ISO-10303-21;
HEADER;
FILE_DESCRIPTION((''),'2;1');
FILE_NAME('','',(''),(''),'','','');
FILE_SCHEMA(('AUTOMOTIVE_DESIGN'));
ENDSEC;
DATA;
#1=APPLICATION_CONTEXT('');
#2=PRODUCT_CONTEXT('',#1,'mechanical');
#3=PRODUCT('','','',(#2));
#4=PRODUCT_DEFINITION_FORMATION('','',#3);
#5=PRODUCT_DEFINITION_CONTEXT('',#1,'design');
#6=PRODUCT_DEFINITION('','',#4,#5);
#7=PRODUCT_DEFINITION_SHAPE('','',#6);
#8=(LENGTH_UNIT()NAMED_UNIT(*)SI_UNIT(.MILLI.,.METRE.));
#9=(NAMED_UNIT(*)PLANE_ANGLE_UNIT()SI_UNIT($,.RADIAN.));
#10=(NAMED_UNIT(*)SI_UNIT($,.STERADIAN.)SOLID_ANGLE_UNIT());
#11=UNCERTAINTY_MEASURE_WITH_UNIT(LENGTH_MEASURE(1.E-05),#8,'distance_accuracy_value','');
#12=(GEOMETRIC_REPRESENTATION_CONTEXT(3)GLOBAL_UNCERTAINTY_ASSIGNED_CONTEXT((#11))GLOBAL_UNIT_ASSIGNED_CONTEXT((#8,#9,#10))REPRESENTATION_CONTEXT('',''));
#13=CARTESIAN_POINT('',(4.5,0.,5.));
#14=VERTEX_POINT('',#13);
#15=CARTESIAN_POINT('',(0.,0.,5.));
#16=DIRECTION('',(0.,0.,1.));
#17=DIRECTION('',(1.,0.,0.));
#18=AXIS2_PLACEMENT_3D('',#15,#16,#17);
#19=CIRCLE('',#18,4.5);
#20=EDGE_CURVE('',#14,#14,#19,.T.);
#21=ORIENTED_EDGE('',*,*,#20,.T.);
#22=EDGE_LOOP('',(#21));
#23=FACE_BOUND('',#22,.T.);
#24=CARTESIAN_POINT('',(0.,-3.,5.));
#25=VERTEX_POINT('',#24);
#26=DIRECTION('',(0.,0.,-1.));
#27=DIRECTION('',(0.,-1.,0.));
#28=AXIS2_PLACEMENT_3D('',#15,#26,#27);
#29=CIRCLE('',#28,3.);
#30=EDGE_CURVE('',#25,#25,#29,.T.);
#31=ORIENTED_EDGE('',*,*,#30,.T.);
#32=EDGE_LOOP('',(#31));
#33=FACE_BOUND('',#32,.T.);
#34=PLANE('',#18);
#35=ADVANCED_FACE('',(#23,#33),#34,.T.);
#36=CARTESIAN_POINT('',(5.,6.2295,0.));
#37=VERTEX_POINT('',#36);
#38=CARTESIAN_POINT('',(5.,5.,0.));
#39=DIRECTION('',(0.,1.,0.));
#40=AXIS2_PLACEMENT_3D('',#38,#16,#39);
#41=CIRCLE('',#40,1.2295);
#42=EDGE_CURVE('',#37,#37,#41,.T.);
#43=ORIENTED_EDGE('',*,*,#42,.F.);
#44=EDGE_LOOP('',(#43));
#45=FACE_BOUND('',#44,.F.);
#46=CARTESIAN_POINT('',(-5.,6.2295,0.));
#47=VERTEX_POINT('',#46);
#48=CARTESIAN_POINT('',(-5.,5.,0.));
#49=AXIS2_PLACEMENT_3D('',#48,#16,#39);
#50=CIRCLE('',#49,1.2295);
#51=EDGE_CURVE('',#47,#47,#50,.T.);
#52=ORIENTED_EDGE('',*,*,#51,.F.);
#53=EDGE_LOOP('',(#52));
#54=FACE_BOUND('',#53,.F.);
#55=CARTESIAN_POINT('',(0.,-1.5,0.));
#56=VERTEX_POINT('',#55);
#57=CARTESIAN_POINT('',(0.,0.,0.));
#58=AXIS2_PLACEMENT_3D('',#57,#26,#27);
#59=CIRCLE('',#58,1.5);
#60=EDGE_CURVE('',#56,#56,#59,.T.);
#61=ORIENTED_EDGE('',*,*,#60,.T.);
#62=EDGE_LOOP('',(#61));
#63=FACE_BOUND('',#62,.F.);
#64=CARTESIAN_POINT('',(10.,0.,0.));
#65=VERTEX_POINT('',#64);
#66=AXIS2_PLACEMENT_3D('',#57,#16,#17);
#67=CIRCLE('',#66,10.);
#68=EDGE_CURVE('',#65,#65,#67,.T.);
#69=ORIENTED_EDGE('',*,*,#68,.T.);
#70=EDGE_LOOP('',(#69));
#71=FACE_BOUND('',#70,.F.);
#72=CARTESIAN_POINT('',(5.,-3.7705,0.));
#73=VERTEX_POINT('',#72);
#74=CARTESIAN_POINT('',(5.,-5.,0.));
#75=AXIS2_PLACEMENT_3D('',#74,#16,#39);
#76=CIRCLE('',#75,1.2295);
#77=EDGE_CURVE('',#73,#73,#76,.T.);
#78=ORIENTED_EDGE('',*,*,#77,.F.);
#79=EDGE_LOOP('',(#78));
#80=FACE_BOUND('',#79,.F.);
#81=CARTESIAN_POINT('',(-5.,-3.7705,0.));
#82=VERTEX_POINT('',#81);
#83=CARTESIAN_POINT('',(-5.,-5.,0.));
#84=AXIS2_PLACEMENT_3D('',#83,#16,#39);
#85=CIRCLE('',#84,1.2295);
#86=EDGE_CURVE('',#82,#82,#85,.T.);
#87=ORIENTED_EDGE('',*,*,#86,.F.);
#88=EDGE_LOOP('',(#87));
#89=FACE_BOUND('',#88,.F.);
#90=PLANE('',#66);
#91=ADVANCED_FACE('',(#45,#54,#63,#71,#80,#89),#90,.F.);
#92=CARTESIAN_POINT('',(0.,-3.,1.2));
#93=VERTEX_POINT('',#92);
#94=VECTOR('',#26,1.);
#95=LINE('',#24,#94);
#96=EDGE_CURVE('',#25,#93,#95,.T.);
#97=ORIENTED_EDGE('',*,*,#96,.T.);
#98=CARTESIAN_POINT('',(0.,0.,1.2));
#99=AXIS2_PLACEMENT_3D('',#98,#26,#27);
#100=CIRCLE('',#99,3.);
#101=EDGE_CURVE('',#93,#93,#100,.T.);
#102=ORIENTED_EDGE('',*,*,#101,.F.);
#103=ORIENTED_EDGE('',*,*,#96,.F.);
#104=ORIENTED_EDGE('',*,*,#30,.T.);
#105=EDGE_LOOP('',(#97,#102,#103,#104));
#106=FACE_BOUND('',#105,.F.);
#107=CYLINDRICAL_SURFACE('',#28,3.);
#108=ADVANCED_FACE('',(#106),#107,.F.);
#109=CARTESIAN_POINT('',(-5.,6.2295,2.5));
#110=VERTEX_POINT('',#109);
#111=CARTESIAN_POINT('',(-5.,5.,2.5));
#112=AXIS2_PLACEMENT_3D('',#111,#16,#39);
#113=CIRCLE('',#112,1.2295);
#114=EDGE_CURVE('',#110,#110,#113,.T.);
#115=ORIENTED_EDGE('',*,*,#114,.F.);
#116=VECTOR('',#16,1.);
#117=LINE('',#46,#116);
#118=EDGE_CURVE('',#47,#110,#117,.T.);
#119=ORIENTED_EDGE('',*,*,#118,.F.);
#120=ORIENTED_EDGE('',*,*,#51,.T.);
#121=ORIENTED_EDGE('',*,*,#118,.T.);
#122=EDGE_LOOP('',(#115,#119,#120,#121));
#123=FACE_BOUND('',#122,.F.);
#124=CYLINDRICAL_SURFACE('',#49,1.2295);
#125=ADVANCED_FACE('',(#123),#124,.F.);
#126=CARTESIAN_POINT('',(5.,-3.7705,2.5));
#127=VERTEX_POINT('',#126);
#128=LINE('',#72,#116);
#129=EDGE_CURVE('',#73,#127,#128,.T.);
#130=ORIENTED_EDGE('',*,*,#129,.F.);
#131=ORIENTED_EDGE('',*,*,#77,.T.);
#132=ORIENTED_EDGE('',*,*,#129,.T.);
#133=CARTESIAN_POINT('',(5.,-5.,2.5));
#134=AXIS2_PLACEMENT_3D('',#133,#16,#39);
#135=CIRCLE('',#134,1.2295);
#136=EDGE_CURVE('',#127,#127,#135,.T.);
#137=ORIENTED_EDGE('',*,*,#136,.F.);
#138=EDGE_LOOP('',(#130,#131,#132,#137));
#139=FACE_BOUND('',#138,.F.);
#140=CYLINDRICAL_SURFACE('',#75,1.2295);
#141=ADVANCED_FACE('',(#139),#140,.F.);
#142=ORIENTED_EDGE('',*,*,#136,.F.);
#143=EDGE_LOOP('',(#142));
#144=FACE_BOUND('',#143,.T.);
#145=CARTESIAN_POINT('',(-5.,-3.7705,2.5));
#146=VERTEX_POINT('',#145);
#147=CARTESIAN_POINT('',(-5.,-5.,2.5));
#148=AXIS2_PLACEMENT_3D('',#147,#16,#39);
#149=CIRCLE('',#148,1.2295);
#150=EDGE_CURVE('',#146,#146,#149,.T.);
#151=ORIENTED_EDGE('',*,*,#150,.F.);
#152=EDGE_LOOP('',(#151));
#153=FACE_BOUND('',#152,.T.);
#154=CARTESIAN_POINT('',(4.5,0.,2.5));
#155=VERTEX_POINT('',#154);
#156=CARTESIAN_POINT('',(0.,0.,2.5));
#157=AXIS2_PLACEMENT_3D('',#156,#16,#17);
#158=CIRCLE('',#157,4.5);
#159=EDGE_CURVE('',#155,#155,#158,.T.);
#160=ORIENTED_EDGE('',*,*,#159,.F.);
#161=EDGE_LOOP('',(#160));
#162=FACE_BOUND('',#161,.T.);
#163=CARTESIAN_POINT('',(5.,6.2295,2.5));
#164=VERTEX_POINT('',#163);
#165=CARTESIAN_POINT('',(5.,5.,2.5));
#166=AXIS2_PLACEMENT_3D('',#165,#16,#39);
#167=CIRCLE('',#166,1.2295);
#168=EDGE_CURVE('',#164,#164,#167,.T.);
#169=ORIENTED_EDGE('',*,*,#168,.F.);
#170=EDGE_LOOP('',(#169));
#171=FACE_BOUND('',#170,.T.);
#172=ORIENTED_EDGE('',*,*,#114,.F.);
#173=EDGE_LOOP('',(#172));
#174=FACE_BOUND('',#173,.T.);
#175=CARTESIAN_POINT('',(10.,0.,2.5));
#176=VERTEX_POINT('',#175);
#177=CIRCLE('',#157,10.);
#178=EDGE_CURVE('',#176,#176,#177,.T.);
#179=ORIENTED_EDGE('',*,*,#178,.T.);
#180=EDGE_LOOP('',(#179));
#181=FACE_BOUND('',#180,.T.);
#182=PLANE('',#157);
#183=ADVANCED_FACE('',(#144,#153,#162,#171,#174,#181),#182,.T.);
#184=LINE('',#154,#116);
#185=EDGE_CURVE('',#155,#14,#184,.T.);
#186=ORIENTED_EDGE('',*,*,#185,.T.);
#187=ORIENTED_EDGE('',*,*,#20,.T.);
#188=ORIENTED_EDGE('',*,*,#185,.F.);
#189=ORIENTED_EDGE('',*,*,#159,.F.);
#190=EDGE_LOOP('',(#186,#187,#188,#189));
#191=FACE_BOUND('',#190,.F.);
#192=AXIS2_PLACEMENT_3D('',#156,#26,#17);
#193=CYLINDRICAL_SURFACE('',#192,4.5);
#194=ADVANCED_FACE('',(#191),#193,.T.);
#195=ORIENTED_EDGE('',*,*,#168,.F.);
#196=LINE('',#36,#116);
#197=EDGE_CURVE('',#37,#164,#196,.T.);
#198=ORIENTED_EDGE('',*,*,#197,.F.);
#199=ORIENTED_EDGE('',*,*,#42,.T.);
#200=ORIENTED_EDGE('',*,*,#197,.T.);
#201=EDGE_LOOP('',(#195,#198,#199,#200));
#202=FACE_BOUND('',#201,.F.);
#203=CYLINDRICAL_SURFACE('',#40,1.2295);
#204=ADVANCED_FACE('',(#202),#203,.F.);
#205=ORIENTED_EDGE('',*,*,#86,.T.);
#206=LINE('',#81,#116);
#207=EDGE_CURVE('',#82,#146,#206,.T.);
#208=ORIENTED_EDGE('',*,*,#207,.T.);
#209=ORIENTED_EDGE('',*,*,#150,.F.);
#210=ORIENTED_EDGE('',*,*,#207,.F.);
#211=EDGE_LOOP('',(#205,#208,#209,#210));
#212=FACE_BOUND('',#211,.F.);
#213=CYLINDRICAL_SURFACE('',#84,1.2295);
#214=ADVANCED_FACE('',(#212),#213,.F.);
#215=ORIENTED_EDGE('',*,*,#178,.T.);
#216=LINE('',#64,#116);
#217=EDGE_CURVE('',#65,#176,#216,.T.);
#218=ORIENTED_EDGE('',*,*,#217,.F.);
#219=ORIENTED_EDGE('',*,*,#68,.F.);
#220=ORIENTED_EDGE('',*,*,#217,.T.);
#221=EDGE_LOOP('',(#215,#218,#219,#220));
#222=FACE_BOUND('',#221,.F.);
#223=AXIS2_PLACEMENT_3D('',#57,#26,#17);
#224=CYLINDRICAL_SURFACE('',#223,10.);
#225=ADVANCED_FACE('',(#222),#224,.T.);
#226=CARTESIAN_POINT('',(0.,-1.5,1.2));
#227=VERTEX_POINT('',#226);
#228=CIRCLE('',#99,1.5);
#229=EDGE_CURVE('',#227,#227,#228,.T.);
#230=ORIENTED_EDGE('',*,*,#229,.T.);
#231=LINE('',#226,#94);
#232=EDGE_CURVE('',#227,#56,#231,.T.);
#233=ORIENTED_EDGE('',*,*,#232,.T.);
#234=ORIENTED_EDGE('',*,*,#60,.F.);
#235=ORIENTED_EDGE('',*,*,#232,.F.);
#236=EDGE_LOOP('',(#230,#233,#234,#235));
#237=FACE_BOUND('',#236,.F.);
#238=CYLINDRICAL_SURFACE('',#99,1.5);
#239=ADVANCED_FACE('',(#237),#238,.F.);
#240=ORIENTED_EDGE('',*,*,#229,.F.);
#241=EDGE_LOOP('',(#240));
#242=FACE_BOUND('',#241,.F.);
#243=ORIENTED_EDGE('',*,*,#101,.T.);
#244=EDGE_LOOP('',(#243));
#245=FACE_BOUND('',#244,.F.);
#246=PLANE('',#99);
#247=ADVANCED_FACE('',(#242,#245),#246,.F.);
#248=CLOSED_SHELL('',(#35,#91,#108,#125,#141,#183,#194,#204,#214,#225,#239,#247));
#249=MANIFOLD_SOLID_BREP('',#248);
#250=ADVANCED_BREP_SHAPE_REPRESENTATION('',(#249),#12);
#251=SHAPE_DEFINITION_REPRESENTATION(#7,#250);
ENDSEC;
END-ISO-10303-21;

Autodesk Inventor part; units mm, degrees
ref_plane "YZ Plane" through (0, 0, 0) normal (1, 0, 0) x (0, 1, 0)
ref_plane "XZ Plane" through (0, 0, 0) normal (0, 1, 0) x (-1, 0, 0)
ref_plane "XY Plane" through (0, 0, 0) normal (0, 0, 1) x (1, 0, 0)
sketch "スケッチ1" plane through (0, 0, 0) normal (0, 0, 1) x (1, 0, 0)
  circle A0 centre (0, 0) radius 10
  dimension "d0" = 20
extrude "押し出し1" add sketch "スケッチ1" along normal blind 2.5
sketch "スケッチ2" plane through (0, 0, 2.5) normal (0, 0, 1) x (1, 0, 0)
  circle A0 centre (0, 0) radius 4.5
  dimension "d3" = 9
extrude "押し出し2" add sketch "スケッチ2" along normal blind 2.5
sketch "スケッチ3" plane through (0, 0, 0) normal (0, 0, -1) x (-1, 0, 0)
  circle A0 centre (0, 0) radius 10 projected
  line L0 (0, 10) -> (0, -10)
  line L1 (-10, 0) -> (10, 0)
  point P0 (-5, 5)
  point P1 (5, 5)
  point P2 (5, -5)
  point P3 (-5, -5)
  dimension "d6" = 10
  dimension "d7" = 10
hole "穴1" at (5, 5, 0) at (-5, 5, 0) at (-5, -5, 0) at (5, -5, 0) direction (0, 0, 1) diameter 2.459 end through all thread size "M3x0.5" class "6H" standard "ISO Metric profile"
sketch "スケッチ4" plane through (0, 0, 5) normal (0, 0, -1) x (-1, 0, 0)
  point P0 (0, 0)
  point P1 (0, 0)
hole "穴2" at (0, 0, 5) direction (0, 0, -1) diameter 3 end through all counterbore diameter 6 counterbore depth 3.8
properties part number "サーボモータ25kgcmサーボホーン1" material "アルミニウム 6061"
